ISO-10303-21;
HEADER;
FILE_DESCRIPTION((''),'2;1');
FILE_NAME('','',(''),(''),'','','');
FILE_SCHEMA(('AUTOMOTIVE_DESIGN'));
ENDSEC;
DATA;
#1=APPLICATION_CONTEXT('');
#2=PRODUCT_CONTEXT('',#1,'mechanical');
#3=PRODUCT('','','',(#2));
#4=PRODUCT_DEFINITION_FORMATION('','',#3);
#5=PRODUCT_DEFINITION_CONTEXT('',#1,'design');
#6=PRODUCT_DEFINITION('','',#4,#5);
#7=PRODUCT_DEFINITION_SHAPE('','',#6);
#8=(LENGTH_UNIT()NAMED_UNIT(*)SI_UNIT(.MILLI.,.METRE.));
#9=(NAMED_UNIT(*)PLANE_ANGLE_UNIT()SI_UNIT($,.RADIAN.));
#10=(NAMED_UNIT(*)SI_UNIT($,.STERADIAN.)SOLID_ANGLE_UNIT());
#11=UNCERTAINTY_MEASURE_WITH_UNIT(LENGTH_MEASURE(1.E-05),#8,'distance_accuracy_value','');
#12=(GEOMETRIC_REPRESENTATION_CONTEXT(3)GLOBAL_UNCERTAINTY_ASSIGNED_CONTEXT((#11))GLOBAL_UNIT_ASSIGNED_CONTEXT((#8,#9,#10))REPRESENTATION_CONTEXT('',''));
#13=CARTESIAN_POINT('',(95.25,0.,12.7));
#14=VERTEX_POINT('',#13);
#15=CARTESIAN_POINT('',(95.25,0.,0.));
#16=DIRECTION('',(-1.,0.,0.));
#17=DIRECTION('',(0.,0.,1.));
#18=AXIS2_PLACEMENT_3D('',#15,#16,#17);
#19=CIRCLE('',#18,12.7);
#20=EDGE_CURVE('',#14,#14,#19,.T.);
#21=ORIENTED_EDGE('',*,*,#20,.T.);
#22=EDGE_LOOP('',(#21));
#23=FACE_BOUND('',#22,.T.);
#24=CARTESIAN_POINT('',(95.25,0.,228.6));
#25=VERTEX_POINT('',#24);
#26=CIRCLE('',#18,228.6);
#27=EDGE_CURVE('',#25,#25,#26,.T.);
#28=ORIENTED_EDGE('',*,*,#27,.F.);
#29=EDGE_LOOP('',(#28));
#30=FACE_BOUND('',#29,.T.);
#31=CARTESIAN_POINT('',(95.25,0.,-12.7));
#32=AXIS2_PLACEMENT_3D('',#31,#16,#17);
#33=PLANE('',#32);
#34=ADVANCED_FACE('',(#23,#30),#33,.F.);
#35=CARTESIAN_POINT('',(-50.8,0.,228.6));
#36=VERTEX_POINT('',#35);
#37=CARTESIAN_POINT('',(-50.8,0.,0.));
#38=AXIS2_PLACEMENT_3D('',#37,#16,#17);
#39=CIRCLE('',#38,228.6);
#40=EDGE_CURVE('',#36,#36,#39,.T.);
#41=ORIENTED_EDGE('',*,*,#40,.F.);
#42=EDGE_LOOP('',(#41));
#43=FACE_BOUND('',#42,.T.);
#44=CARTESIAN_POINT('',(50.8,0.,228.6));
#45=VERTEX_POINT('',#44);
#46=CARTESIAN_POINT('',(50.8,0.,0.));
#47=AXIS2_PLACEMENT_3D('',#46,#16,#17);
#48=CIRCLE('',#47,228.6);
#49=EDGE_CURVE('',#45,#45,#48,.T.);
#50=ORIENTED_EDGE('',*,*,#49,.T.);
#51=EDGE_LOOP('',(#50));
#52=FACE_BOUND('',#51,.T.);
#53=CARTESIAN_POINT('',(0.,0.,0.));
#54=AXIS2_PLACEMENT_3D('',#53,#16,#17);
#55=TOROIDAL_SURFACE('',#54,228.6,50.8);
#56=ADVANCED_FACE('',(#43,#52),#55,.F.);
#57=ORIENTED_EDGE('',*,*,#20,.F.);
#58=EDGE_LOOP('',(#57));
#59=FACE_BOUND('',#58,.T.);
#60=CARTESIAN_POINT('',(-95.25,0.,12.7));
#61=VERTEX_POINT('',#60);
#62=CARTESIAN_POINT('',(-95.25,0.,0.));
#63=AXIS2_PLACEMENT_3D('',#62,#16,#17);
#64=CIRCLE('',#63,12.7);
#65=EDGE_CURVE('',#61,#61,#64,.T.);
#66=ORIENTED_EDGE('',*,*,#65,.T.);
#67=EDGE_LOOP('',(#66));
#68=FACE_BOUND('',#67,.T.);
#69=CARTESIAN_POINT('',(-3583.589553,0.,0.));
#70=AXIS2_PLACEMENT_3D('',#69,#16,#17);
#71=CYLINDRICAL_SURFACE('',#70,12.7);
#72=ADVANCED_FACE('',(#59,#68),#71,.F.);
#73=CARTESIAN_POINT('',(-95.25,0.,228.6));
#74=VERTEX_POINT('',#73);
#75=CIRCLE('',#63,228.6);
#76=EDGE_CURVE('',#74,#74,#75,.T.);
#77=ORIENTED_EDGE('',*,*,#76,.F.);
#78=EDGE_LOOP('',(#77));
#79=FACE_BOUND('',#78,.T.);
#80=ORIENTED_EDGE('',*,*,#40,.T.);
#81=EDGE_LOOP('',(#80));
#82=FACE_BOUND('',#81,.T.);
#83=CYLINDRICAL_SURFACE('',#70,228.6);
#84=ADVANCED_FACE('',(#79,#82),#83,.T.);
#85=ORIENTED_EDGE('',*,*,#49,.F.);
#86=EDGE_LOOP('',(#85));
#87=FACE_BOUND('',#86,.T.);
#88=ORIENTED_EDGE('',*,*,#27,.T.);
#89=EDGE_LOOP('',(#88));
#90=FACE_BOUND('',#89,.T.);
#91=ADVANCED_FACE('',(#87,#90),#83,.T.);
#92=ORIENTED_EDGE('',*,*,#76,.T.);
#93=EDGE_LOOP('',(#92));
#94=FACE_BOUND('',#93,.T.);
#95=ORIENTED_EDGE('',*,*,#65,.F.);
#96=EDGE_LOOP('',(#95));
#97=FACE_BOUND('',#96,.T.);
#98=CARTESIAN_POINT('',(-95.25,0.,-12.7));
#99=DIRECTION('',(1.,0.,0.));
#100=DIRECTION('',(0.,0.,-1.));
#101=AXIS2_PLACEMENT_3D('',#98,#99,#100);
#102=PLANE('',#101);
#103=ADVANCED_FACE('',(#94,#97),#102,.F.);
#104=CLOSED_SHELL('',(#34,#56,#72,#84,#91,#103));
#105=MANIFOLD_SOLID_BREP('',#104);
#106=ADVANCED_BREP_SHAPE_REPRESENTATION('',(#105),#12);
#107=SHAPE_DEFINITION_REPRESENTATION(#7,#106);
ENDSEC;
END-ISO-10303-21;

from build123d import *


with BuildPart() as part:
    # Sketch3 → Revolve1 (revolve)
    with BuildSketch(Plane(origin=(0, 0, 0), x_dir=(1, 0, 0), z_dir=(0, 1, 0))):
        with BuildLine():
            Line((-95.25, 12.7), (-95.25, 228.6))
            Line((-95.25, 228.6), (-50.8, 228.6))
            ThreePointArc((-50.8, 228.6), (0, 177.8), (50.8, 228.6))
            Line((50.8, 228.6), (95.25, 228.6))
            Line((95.25, 228.6), (95.25, 12.7))
            Line((95.25, 12.7), (-95.25, 12.7))
        make_face()
    revolve(axis=Axis((-3583.589553292, 0, 0), (1, 0, 0)))


solid = part.part
